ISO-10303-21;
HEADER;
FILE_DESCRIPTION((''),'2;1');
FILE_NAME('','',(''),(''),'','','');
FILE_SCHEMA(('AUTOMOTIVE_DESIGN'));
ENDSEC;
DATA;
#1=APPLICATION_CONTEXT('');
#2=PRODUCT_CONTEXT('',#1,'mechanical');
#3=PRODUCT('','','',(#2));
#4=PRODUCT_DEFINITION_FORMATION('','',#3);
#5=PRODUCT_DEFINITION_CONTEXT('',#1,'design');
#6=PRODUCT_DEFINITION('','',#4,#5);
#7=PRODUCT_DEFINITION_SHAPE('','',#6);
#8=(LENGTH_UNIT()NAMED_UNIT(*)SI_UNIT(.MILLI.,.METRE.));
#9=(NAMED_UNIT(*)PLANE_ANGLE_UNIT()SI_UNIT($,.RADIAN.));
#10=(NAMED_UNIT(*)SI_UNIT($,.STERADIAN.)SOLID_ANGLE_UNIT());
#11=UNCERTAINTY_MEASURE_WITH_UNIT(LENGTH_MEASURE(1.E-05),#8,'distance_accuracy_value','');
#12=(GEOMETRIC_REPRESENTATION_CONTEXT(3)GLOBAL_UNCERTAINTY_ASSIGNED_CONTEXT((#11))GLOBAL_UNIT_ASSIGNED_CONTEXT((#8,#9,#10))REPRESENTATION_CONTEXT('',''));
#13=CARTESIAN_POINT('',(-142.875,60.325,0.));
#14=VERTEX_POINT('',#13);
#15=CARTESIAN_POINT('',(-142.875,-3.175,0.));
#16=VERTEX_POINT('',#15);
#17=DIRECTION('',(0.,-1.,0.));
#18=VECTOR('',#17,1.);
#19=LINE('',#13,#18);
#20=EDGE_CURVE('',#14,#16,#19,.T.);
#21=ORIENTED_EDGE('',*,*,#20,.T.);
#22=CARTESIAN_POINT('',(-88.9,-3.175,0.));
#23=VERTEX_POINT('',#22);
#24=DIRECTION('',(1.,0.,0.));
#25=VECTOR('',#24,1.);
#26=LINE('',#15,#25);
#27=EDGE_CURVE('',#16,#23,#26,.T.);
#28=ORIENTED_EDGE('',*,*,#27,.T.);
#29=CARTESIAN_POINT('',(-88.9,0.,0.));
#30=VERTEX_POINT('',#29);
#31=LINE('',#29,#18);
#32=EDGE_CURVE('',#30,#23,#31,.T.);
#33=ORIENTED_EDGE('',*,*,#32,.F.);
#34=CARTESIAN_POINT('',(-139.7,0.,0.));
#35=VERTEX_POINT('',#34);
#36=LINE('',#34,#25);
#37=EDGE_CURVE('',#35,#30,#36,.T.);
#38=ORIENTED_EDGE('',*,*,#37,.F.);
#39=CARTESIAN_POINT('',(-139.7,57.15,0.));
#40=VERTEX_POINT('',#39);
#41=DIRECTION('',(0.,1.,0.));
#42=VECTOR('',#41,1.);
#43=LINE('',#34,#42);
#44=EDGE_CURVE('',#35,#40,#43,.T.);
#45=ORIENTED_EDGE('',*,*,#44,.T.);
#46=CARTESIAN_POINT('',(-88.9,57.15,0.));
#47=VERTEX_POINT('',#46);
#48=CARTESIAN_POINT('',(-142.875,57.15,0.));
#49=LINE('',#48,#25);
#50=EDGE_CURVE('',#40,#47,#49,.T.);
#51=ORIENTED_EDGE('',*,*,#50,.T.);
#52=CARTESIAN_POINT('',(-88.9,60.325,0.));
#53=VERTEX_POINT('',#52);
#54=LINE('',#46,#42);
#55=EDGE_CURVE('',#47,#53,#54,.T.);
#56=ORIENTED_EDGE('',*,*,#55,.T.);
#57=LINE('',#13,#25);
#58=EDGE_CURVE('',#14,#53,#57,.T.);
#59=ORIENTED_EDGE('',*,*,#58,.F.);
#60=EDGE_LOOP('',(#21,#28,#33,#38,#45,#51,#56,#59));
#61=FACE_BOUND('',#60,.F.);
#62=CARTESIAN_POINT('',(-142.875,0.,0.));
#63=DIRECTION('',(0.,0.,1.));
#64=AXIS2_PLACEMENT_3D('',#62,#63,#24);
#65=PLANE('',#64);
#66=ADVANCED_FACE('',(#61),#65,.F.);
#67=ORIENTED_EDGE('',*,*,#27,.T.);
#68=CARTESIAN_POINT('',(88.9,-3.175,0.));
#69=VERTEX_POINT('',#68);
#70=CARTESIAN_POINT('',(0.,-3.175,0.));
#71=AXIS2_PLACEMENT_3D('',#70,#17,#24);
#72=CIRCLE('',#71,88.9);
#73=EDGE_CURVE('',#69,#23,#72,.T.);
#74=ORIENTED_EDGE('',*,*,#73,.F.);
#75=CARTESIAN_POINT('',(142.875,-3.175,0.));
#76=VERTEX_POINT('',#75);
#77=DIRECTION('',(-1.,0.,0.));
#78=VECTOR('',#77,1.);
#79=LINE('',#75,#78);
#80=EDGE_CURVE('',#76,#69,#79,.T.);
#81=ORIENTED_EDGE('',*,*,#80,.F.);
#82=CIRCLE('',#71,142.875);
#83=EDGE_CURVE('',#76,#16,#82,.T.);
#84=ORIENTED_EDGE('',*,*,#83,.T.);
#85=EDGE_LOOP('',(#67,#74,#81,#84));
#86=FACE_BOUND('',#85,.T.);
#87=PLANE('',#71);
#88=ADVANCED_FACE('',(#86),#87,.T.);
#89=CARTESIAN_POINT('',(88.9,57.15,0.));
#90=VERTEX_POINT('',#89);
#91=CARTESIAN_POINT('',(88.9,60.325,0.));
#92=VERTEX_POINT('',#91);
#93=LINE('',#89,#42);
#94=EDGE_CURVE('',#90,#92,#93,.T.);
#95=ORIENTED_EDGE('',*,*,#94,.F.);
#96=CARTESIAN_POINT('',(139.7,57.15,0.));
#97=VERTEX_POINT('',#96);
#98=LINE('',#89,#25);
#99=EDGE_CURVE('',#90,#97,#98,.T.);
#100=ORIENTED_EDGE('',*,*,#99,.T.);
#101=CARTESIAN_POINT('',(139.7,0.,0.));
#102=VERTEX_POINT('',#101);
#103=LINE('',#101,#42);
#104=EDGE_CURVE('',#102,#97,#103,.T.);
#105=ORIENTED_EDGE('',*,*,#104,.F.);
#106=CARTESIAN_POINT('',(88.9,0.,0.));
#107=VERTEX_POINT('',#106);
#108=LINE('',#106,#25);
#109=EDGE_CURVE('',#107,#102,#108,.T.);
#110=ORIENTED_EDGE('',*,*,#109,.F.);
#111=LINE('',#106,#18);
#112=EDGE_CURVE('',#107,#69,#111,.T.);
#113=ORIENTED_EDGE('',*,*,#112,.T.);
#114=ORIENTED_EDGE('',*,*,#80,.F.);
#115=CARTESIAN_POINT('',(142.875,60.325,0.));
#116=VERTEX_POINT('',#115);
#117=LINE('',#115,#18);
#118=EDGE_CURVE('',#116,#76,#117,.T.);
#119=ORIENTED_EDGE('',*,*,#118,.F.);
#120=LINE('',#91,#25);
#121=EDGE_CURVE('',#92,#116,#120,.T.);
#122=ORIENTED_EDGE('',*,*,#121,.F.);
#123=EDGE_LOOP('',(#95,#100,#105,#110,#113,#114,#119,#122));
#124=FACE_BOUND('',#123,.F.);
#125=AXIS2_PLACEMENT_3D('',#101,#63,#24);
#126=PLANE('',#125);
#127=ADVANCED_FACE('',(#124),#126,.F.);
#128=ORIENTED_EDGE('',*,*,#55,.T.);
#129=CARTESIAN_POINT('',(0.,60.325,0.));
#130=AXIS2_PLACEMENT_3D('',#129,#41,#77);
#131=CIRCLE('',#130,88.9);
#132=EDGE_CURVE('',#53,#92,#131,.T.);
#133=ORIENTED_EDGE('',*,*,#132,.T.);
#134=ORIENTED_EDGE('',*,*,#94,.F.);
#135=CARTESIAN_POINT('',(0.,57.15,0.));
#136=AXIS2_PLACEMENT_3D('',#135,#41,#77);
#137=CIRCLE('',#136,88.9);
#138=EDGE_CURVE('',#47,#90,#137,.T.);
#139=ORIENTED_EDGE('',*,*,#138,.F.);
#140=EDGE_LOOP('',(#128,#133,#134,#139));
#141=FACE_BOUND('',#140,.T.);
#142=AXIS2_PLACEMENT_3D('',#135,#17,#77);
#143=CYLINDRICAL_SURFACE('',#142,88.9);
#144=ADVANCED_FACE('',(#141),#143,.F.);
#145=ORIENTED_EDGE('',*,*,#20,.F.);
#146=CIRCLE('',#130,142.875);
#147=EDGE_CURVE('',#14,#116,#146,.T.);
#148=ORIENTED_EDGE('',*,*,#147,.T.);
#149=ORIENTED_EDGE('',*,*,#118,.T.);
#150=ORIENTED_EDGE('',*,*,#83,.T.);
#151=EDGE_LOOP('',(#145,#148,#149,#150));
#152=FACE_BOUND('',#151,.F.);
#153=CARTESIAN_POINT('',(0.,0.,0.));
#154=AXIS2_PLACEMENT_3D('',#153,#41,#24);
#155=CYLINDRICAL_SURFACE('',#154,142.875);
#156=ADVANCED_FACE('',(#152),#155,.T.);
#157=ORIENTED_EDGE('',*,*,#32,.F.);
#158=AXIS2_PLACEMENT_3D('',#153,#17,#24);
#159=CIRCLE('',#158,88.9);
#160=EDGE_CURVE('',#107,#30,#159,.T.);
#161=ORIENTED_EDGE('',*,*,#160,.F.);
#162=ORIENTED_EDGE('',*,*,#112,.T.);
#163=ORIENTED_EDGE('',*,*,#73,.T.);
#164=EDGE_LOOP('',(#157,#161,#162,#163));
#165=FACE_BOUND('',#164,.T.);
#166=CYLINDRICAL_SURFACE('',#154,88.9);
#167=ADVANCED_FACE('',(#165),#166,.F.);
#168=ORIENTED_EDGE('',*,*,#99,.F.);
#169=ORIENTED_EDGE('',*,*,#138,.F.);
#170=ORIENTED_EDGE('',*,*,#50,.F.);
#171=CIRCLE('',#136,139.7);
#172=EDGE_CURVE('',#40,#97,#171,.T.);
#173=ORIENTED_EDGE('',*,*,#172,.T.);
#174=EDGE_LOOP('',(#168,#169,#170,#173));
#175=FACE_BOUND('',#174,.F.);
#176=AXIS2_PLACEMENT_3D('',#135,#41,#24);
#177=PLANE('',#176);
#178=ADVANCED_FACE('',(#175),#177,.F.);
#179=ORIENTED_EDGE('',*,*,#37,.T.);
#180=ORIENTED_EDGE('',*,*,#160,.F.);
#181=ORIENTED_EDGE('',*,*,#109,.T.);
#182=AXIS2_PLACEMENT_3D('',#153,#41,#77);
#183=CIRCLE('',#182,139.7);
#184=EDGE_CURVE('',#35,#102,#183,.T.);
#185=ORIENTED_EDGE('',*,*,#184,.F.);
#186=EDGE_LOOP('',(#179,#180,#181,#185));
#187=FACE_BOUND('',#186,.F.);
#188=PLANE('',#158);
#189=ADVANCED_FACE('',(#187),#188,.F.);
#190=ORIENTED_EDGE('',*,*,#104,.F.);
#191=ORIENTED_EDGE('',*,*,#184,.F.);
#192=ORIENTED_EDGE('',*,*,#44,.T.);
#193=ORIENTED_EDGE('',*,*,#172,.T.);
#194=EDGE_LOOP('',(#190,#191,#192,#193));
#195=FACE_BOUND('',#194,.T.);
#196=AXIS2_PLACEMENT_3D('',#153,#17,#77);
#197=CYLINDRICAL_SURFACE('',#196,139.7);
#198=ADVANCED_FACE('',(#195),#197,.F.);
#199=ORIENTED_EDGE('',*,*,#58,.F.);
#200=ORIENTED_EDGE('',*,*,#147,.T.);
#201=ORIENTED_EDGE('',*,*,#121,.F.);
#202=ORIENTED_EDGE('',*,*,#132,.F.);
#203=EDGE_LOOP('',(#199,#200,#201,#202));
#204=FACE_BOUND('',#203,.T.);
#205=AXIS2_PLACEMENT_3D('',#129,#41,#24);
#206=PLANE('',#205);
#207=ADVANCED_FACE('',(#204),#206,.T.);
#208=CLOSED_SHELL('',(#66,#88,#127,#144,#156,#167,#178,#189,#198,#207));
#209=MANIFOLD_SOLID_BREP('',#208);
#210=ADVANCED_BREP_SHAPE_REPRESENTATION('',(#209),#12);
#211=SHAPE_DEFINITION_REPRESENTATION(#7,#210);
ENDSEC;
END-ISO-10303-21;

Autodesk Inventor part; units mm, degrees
ref_plane "YZ Plane" through (0, 0, 0) normal (1, 0, 0) x (0, 1, 0)
ref_plane "XZ Plane" through (0, 0, 0) normal (0, 1, 0) x (-1, 0, 0)
ref_plane "XY Plane" through (0, 0, 0) normal (0, 0, 1) x (1, 0, 0)
sketch "Sketch1" plane through (0, 0, 0) normal (0, 1, 0) x (-1, 0, 0)
  arc A0 (139.7, 0) -> (-139.7, 0) centre (0, 0) ccw
  arc A1 (142.875, 0) -> (-142.875, 0) centre (0, 0) ccw
  line L0 (139.7, 0) -> (142.875, 0)
  line L1 (-139.7, 0) -> (-142.875, 0)
  dimension "d0" = 279.4
  dimension "d1" = 3.175
extrude "Extrusion1" add sketch "Sketch1" along normal blind 57.15
sketch "Sketch2" plane through (0, 57.15, 0) normal (0, 1, 0) x (1, 0, 0)
  arc A0 (-88.9, 0) -> (88.9, 0) centre (0, 0) ccw
  arc A1 (-142.875, 0) -> (142.875, 0) centre (0, 0) ccw projected
  line L0 (-139.7, 0) -> (-142.875, 0) projected
  line L1 (-142.875, 0) -> (-88.9, 0)
  line L2 (88.9, 0) -> (142.875, 0)
  dimension "d4" = 177.8
extrude "Extrusion2" add sketch "Sketch2" along normal blind 3.175
sketch "Sketch3" plane through (0, 0, 0) normal (0, -1, 0) x (1, 0, 0)
  arc A0 (142.875, 0) -> (-142.875, 0) centre (0, 0) ccw projected
  arc A1 (88.9, 0) -> (-88.9, 0) centre (0, 0) ccw projected
  line L0 (-139.7, 0) -> (-88.9, 0) projected
  line L1 (88.9, 0) -> (139.7, 0) projected
  line L2 (139.7, 0) -> (142.875, 0) projected
  line L3 (-142.875, 0) -> (-139.7, 0) projected
extrude "Extrusion3" add sketch "Sketch3" along normal blind 3.175
sketch "Sketch4" plane through (0, 60.325, 0) normal (0, 1, 0) x (1, 0, 0)
  line L0 (-88.9, 0) -> (-142.875, 0) projected
  line L1 (142.875, 0) -> (88.9, 0) projected
  point P0 (0, 0)
properties part number "Holster"
